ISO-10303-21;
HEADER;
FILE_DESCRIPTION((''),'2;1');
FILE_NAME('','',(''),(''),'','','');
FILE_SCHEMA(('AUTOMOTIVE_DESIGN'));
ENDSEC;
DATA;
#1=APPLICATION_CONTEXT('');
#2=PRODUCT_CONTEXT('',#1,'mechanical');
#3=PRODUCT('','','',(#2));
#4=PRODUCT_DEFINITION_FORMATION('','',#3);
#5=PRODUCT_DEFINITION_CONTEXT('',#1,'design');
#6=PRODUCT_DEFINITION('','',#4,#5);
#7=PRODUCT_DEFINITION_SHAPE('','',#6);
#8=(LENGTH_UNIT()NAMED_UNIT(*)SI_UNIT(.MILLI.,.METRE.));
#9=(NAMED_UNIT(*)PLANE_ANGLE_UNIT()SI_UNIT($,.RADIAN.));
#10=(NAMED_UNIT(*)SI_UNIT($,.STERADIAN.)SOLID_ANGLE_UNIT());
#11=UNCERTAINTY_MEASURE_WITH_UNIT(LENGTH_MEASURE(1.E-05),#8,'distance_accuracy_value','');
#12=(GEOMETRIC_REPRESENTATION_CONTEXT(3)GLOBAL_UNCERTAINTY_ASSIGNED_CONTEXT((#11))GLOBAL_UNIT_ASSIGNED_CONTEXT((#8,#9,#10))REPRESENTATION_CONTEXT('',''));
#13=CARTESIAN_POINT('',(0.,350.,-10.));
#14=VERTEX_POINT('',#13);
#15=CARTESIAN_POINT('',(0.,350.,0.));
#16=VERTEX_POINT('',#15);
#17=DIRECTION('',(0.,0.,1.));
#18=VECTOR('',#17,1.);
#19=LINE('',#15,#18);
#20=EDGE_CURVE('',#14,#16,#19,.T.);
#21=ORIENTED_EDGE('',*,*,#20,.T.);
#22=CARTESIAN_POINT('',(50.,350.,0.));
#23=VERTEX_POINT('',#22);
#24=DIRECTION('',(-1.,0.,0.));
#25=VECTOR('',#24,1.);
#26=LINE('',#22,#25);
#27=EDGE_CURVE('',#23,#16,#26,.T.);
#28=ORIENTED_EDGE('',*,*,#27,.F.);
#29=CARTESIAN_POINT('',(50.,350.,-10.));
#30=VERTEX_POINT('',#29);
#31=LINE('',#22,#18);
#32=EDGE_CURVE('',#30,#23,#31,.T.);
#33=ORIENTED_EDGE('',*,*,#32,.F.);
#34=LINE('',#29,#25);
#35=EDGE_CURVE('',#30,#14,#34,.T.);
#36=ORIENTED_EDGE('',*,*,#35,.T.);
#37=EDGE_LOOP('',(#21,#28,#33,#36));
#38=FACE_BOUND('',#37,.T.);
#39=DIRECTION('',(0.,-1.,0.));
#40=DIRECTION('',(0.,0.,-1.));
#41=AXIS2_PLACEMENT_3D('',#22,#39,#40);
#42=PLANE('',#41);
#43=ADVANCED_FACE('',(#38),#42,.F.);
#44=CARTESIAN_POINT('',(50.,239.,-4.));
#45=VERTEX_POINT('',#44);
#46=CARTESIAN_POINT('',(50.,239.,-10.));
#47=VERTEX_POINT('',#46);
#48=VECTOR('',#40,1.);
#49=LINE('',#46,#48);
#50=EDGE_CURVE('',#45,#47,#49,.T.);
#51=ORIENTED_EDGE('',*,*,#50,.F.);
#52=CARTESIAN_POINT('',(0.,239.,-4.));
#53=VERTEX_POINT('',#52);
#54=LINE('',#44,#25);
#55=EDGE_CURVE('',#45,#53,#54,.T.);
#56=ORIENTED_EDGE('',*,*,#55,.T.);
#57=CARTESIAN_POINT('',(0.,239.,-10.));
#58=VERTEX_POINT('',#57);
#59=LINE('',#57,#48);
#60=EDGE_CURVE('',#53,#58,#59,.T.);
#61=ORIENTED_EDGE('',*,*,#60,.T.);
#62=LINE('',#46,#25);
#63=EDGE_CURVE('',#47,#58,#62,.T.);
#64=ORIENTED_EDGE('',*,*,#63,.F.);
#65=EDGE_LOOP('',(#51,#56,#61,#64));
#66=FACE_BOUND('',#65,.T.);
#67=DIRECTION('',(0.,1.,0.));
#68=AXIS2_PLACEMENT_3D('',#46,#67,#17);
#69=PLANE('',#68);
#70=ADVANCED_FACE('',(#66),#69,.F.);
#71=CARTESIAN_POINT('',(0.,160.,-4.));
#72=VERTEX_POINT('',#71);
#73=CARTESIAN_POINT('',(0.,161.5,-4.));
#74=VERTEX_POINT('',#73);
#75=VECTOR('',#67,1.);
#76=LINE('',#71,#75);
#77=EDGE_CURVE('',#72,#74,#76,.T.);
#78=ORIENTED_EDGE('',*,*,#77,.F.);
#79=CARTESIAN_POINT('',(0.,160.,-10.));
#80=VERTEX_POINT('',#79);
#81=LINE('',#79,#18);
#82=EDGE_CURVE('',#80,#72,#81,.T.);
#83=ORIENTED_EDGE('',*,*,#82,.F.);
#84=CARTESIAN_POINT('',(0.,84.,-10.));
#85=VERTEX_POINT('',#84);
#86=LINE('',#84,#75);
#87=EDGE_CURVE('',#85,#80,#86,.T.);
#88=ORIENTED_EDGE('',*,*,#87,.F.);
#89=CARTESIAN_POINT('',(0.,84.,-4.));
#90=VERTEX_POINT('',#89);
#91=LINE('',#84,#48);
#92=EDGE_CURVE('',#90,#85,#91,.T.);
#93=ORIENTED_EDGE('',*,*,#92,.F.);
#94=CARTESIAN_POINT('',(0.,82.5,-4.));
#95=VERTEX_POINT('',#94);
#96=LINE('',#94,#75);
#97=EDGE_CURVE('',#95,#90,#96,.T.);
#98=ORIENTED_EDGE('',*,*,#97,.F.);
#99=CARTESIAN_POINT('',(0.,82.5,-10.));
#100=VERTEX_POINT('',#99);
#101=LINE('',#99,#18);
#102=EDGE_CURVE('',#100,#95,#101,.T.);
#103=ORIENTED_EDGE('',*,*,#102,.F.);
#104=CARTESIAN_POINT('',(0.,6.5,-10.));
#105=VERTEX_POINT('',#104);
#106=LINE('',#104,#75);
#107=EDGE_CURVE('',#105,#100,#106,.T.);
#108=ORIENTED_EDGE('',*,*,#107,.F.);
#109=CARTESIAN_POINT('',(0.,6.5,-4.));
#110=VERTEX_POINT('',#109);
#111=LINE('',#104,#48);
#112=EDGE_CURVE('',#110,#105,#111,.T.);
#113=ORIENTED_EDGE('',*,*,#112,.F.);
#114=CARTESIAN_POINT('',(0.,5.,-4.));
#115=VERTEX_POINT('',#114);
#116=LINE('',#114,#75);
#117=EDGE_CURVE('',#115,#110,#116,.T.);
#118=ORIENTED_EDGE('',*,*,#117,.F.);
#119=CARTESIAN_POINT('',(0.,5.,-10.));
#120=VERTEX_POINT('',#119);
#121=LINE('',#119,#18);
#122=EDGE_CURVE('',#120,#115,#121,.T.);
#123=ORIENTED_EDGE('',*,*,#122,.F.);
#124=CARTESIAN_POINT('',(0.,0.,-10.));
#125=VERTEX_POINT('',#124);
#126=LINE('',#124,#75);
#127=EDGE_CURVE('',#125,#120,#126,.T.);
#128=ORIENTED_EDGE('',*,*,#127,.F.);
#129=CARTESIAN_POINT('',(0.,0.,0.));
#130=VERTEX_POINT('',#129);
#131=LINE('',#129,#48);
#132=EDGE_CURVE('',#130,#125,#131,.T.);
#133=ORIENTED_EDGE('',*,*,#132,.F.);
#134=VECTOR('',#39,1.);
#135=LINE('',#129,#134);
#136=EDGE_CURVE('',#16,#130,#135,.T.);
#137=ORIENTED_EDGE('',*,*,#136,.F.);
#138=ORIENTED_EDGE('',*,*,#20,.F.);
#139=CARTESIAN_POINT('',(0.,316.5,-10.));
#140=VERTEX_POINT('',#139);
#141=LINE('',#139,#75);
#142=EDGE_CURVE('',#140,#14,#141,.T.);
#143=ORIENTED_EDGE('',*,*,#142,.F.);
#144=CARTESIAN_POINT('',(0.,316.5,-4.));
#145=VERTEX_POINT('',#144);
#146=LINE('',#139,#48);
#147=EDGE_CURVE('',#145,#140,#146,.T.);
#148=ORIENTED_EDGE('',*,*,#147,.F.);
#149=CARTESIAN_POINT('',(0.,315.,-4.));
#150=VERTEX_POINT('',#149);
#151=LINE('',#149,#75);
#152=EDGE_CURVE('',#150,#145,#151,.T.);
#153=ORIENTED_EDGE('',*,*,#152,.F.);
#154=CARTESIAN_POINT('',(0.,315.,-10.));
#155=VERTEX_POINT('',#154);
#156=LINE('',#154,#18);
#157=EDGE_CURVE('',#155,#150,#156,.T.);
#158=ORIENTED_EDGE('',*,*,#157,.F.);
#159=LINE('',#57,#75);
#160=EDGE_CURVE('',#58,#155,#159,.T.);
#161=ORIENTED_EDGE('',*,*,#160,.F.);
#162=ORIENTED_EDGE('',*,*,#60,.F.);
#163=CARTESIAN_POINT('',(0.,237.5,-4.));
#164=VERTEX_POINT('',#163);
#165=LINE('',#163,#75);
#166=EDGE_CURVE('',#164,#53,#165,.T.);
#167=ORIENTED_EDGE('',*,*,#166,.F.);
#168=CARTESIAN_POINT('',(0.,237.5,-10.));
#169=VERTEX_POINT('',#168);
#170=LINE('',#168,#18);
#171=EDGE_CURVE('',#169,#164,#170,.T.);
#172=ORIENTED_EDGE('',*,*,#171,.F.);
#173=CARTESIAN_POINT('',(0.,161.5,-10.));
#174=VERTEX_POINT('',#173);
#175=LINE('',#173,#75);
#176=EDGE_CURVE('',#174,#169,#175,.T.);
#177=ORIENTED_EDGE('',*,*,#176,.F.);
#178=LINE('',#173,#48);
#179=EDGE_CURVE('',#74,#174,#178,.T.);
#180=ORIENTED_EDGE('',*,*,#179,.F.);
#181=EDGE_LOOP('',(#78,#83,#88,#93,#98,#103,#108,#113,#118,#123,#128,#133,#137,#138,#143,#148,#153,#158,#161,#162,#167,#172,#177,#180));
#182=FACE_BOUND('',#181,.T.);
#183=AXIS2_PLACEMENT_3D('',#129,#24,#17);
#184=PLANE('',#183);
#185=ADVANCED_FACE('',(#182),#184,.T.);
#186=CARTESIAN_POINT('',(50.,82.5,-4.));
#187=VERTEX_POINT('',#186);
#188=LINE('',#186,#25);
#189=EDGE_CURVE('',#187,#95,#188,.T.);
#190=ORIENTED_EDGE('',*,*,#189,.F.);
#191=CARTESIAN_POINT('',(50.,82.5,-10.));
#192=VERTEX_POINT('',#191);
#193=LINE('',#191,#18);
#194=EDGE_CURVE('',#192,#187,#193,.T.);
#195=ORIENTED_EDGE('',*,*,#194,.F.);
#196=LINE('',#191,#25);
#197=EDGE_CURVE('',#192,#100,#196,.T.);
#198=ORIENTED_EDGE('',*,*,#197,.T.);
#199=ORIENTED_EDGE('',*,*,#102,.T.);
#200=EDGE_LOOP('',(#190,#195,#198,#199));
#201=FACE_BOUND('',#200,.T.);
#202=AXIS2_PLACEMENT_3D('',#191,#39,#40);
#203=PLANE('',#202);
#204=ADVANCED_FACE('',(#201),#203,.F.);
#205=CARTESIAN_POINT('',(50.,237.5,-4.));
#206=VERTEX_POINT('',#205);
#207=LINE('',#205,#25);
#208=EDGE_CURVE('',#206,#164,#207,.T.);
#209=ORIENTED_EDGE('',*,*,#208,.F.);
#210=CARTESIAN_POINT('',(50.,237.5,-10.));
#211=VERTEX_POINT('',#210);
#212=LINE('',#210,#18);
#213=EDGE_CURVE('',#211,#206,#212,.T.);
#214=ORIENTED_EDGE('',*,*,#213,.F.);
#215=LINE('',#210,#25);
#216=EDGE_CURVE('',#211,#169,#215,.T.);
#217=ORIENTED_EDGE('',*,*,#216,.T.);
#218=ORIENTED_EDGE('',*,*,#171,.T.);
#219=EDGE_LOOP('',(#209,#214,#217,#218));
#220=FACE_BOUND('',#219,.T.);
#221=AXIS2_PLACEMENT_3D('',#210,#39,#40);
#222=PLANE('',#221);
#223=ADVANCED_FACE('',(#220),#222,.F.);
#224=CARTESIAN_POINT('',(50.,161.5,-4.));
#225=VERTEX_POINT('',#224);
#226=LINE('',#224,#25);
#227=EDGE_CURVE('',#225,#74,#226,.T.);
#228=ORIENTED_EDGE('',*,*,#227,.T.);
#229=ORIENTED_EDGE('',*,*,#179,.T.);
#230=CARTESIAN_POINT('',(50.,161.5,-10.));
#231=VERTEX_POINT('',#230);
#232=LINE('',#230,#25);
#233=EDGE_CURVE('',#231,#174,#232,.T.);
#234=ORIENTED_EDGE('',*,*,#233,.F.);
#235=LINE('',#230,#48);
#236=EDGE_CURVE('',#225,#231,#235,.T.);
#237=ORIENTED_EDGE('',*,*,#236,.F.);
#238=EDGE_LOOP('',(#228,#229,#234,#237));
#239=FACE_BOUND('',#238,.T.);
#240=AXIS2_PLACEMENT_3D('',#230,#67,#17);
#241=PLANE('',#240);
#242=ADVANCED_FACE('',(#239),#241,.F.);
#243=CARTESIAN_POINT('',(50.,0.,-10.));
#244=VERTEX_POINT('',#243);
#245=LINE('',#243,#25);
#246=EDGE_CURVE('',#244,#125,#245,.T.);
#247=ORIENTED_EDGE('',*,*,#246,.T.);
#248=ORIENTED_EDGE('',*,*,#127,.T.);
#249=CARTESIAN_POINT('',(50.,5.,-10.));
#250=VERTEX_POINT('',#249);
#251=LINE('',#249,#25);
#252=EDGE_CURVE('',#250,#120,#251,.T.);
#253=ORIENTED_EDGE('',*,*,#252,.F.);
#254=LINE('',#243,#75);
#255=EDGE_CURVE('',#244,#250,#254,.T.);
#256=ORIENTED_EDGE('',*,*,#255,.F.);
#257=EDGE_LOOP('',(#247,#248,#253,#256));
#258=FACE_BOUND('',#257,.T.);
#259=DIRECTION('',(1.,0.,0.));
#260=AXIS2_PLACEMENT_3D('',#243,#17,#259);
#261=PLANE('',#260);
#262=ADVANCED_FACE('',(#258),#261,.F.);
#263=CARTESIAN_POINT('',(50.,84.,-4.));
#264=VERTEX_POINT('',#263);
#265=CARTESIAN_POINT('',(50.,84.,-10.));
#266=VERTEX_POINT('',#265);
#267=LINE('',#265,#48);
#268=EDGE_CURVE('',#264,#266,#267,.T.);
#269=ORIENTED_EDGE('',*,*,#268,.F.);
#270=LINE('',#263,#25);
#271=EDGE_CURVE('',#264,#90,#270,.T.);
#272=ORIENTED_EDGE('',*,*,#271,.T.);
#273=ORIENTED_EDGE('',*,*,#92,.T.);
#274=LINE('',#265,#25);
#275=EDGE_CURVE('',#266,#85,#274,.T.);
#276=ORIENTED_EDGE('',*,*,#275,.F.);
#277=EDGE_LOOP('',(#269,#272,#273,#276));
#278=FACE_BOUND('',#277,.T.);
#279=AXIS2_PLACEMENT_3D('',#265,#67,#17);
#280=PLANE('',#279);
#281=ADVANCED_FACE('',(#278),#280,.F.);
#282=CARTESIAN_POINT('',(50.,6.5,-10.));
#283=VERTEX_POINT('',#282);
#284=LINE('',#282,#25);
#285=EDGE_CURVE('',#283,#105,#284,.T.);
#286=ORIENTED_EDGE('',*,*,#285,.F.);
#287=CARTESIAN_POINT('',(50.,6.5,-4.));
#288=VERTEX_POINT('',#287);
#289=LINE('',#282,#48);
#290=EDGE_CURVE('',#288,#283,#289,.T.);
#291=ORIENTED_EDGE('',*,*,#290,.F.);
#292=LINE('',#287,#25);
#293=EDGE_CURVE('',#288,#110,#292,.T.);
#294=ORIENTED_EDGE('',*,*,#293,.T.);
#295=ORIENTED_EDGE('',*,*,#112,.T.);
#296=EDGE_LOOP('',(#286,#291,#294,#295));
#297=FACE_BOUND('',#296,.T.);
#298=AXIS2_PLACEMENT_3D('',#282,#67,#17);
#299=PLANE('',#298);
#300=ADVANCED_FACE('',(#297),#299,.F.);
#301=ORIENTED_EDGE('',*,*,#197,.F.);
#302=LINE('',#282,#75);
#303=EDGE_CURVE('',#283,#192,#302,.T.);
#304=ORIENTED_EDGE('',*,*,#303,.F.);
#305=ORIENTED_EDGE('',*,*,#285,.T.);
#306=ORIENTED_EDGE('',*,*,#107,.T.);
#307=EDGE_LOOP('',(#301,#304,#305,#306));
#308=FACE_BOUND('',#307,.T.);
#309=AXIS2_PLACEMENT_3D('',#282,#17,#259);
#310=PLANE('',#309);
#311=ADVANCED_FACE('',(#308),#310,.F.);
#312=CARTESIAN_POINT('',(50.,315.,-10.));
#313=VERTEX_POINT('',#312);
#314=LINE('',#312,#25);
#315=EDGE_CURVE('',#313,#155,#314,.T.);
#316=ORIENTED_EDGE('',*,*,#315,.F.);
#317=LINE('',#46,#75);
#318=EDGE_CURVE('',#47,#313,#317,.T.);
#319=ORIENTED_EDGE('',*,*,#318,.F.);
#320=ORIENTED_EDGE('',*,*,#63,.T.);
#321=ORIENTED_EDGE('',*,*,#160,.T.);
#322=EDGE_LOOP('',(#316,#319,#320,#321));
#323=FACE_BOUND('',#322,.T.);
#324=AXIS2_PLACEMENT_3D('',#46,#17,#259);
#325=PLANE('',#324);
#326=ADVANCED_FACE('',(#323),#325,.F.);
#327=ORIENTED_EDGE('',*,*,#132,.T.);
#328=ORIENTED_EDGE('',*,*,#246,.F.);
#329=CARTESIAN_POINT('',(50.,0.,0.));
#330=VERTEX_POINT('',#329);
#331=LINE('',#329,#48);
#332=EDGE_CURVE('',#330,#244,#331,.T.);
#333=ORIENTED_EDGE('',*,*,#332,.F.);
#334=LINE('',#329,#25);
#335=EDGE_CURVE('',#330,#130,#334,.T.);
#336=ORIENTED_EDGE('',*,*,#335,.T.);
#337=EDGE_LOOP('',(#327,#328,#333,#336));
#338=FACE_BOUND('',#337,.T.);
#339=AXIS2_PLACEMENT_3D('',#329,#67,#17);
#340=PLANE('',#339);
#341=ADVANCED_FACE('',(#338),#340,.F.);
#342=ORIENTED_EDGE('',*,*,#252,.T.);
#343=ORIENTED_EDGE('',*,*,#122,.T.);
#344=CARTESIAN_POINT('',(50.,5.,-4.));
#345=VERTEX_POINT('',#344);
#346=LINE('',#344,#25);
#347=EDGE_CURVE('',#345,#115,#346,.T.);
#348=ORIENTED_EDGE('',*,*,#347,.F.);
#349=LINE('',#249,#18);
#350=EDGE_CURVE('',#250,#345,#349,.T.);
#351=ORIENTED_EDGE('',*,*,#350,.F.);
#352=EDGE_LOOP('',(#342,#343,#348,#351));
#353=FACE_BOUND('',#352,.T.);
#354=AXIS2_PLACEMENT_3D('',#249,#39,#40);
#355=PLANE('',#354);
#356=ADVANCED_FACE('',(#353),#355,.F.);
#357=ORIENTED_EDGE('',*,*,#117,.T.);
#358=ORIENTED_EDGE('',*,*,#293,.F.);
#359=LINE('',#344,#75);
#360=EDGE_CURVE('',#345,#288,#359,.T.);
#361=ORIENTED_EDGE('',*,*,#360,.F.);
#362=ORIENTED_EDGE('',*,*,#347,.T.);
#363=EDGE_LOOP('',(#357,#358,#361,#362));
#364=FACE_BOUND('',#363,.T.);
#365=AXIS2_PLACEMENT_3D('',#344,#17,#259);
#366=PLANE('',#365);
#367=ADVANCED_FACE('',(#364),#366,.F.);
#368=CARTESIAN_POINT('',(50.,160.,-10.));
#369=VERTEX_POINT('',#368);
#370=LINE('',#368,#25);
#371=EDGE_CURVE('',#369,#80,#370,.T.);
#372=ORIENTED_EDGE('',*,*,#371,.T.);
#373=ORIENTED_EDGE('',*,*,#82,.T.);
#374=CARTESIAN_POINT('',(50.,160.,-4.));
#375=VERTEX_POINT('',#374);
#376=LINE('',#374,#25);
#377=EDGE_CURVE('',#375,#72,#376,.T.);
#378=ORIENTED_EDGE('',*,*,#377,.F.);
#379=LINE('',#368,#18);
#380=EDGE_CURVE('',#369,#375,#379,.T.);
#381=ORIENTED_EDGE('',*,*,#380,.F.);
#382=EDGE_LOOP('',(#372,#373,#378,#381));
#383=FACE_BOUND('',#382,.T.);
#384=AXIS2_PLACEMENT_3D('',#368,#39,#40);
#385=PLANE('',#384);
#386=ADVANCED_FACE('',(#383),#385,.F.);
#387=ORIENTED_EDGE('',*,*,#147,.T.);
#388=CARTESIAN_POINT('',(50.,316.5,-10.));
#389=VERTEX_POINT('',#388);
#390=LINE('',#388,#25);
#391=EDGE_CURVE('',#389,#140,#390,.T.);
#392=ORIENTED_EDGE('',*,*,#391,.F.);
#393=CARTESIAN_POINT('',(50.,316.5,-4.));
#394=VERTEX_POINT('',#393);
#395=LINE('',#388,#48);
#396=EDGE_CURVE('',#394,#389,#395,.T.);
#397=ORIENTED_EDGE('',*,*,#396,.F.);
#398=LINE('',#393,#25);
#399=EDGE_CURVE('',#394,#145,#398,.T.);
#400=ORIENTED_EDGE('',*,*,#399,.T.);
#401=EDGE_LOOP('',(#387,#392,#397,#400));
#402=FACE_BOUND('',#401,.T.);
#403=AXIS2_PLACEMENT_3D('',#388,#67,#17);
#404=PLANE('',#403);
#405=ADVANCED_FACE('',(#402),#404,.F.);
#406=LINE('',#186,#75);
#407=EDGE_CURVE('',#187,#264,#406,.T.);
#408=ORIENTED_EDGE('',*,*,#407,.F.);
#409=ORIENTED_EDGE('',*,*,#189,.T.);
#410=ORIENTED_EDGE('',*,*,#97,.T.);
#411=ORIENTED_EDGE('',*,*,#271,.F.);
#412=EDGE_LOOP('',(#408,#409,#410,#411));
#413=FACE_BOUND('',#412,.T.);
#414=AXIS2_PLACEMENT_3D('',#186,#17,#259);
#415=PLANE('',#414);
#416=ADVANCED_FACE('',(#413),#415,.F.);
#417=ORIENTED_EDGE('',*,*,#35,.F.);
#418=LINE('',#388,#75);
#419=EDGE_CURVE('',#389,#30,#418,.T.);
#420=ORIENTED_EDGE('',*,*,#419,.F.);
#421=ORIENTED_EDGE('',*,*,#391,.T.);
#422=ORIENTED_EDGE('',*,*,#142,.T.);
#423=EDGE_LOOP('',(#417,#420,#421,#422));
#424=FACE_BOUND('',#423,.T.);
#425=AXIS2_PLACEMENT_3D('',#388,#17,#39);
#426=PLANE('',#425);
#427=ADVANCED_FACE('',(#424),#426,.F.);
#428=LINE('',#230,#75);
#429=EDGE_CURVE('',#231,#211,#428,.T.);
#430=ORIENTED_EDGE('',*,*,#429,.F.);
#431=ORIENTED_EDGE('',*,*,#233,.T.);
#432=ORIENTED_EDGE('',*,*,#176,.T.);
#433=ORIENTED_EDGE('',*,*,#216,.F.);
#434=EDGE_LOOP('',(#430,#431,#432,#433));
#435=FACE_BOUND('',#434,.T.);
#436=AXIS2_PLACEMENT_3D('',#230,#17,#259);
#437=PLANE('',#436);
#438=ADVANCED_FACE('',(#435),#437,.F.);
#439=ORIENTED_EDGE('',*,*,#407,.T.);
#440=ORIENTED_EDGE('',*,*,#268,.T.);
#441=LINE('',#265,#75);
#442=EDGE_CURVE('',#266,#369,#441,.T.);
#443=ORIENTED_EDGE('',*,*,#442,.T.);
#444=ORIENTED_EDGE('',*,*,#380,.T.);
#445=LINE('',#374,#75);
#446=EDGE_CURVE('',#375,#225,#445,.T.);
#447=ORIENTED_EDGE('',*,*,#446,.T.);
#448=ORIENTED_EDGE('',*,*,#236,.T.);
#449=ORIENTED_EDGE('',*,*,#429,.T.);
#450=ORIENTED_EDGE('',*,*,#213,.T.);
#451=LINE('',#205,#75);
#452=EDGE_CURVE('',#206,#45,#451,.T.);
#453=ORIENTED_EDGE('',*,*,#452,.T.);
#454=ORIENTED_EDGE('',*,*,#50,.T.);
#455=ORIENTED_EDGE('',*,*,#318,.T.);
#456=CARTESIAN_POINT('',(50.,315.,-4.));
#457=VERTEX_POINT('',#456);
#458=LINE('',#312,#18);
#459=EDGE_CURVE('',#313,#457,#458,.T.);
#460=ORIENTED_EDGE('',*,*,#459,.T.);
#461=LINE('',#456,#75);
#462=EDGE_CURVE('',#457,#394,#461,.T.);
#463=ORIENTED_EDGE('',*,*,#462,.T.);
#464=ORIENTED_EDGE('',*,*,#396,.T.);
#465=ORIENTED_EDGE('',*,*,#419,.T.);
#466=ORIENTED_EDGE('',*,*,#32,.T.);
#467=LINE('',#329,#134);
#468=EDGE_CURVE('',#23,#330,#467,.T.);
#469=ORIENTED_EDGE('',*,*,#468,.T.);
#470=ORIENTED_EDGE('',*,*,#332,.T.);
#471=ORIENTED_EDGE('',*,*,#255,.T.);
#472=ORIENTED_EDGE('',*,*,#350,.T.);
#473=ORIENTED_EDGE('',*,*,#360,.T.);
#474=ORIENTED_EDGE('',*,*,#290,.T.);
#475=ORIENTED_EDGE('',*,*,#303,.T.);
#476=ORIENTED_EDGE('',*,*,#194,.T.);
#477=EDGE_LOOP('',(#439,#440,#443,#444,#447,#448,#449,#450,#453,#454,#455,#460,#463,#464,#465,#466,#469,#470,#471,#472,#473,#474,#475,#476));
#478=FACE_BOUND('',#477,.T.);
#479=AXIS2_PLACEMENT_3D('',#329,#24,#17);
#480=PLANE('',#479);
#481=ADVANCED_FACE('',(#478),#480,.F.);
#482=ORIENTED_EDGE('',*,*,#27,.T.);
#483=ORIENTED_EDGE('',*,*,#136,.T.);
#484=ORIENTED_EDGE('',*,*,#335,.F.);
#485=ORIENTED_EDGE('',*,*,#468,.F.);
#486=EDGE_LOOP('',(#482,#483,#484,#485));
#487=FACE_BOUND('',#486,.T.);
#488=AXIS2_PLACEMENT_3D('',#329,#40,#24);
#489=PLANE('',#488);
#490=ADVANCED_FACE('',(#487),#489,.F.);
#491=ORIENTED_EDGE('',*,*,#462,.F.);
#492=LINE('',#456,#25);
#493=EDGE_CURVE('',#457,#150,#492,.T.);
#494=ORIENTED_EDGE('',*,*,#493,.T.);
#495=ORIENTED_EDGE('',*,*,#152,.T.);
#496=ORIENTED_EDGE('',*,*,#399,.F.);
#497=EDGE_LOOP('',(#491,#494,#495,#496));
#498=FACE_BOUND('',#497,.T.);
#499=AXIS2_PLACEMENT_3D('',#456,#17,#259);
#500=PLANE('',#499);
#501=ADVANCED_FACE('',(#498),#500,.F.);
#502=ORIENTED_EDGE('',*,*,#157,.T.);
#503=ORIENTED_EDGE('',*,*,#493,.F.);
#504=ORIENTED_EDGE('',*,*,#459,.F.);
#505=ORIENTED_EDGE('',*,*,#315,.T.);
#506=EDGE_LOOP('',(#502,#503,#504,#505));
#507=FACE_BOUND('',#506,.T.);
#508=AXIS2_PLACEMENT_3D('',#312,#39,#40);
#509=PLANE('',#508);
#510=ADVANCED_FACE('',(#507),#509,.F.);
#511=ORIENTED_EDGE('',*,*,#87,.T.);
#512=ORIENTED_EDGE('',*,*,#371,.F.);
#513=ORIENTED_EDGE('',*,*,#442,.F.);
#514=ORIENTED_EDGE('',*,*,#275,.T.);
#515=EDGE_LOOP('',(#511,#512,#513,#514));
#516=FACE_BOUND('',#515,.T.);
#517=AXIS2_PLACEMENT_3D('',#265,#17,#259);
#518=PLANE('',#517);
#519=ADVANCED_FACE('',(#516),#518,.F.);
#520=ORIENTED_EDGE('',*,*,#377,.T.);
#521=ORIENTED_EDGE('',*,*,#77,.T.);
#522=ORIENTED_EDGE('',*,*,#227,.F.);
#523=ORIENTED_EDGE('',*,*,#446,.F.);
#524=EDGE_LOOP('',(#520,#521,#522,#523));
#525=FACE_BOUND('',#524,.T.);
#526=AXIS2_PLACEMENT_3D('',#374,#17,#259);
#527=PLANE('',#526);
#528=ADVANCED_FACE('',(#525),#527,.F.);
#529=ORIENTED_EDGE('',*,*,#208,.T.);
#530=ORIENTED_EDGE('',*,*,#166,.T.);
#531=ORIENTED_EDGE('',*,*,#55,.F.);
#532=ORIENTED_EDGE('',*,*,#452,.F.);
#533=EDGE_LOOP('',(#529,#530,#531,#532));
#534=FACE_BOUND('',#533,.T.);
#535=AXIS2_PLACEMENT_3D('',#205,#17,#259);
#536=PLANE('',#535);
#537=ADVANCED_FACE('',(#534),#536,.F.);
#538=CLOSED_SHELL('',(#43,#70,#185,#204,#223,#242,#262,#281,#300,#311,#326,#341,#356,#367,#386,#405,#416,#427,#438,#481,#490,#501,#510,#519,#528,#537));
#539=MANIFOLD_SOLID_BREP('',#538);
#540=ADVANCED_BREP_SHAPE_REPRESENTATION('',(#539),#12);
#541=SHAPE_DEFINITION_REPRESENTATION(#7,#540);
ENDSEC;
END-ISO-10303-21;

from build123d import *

# Parameters (mm, degrees)
BOSS_EXTRUDE1_DEPTH = 50


with BuildPart() as part:
    # Sketch1 → Boss-Extrude1 (new body)
    with BuildSketch(Plane(origin=(0, 0, 0), x_dir=(0, 0, -1), z_dir=(1, 0, 0))):
        Polygon((10, 6.5), (10, 82.5), (4, 82.5), (4, 84), (10, 84), (10, 160), (4, 160), (4, 161.5), (10, 161.5), (10, 237.5), (4, 237.5), (4, 239), (10, 239), (10, 315), (4, 315), (4, 316.5), (10, 316.5), (10, 350), (0, 350), (0, 0), (10, 0), (10, 5), (4, 5), (4, 6.5), align=None)
    extrude(amount=BOSS_EXTRUDE1_DEPTH)


solid = part.part
